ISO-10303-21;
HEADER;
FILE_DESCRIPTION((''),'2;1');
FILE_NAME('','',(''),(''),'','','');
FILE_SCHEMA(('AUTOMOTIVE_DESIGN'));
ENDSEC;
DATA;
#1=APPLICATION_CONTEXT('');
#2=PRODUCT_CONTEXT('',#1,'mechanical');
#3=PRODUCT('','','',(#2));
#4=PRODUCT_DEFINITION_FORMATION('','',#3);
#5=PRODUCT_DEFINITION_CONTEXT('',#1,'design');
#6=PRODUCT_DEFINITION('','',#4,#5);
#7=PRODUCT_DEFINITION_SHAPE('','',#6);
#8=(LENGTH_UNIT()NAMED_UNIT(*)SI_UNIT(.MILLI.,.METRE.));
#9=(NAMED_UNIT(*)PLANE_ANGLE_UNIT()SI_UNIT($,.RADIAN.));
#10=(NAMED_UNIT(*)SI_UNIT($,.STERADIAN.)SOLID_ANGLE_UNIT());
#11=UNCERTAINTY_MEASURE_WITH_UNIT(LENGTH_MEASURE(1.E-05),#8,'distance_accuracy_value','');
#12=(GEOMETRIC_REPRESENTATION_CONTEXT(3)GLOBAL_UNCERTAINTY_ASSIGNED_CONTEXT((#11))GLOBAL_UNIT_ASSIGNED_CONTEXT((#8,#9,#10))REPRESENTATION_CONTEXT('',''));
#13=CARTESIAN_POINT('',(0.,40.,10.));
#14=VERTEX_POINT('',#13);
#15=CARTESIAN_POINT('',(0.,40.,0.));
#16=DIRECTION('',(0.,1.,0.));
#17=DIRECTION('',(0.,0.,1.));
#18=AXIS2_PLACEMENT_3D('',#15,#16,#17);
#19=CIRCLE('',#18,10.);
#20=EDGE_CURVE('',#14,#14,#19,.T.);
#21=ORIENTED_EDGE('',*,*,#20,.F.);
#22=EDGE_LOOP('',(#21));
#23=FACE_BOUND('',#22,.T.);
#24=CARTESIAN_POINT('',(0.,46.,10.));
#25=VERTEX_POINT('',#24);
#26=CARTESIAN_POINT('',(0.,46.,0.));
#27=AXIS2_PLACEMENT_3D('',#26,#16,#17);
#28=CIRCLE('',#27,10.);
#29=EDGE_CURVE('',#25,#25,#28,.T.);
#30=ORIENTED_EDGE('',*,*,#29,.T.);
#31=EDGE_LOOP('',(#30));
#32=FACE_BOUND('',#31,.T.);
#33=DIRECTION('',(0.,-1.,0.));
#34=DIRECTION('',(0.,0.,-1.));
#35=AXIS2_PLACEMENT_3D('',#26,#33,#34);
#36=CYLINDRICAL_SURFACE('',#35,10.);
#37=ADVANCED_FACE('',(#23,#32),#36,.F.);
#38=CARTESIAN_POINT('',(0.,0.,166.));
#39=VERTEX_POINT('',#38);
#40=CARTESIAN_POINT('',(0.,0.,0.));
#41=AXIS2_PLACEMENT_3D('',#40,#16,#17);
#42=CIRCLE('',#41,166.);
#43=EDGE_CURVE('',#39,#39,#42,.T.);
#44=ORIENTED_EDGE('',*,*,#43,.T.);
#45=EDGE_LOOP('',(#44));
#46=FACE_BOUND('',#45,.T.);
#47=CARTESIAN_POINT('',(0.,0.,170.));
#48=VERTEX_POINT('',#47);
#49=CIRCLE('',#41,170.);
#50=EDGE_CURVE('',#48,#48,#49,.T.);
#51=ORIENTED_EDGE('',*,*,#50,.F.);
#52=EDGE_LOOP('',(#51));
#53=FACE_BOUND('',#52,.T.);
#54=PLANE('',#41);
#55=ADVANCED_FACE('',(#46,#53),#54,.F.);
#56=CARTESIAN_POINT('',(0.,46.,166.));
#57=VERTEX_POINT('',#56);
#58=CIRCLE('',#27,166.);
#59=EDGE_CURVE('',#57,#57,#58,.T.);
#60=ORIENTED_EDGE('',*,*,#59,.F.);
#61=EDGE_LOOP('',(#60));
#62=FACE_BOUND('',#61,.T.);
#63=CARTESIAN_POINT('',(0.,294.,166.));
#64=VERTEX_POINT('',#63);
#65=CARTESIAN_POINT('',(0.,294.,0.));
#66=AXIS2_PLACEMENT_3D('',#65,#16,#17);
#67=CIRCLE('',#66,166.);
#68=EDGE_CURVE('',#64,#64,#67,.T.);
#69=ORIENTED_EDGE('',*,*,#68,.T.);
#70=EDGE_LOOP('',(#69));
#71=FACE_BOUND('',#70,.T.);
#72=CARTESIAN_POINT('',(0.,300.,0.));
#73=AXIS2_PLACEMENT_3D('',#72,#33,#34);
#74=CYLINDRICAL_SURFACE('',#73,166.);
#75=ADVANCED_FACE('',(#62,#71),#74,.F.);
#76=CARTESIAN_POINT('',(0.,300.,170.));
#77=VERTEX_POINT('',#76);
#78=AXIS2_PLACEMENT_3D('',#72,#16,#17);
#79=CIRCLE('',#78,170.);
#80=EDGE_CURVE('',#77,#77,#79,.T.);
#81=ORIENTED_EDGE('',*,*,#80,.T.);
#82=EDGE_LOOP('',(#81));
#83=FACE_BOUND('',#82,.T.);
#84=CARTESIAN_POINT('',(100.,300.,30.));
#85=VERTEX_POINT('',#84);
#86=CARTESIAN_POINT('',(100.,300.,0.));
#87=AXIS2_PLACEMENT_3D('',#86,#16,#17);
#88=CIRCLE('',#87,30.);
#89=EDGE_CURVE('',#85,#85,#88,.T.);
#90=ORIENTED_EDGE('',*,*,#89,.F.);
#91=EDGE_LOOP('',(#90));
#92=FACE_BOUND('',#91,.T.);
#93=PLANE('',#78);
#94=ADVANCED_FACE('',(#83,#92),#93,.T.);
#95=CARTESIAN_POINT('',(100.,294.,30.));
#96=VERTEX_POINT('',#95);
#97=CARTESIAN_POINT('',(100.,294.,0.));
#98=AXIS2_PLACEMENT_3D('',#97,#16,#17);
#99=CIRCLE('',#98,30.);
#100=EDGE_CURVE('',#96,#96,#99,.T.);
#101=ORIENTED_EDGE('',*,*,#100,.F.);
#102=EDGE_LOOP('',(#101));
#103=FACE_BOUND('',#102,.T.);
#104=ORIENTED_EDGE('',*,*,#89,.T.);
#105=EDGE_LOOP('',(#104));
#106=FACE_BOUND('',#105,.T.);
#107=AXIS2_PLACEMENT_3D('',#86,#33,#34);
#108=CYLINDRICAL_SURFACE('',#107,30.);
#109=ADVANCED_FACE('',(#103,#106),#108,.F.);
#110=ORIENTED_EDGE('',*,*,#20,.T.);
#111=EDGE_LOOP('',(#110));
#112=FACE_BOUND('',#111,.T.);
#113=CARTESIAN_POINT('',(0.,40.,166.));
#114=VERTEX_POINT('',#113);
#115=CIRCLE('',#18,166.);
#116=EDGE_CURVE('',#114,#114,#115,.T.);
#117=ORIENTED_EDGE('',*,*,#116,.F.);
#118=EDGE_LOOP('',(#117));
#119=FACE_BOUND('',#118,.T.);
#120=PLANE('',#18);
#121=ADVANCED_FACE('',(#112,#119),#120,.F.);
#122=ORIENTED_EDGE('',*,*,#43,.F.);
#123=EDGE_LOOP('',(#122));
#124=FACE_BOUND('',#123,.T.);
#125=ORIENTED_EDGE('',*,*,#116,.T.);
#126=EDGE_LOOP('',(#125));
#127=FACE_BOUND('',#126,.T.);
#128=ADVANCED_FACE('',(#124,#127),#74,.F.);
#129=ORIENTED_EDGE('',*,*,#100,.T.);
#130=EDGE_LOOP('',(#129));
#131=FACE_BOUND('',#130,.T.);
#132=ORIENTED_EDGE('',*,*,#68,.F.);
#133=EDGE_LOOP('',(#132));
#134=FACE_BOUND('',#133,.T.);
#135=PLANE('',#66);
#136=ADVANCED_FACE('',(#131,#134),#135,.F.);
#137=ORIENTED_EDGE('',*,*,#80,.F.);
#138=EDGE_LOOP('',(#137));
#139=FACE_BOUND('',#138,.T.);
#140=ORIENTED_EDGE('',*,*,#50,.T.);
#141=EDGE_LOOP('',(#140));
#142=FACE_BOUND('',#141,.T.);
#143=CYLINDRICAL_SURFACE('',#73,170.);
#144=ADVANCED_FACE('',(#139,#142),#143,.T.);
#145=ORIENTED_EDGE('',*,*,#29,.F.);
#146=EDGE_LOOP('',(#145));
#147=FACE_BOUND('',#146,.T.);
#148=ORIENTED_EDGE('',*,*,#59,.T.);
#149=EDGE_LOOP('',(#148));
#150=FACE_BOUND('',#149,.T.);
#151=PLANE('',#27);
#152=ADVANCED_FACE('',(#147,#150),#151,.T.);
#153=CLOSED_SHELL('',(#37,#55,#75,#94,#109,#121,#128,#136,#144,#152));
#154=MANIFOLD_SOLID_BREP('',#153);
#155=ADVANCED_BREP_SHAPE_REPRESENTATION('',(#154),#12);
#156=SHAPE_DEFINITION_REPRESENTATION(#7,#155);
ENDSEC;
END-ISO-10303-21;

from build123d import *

# Parameters (mm, degrees)
RESERVOIR_WALL_SKETCH_R    = 170
RESERVOIR_WALL_SKETCH_R_2  = 166
RESERVOIR_WALL_SKIRT_DEPTH = 300
RESERVOIR_START            = 40
RESERVOIR_FLOOR_SKETCH_R   = 170
RESERVOIR_FLOOR_SKETCH_R_2 = 10
RESERVOIR_FLOOR_DEPTH      = 6
SEALED_START               = 294
SEALED_LID_SKETCH_R        = 170
SEALED_LID_SKETCH_R_2      = 30
SEALED_LID_DEPTH           = 6


with BuildPart() as part:
    # Reservoir Wall Sketch → Reservoir Wall + Skirt (new body)
    with BuildSketch(Plane(origin=(0, 0, 0), x_dir=(1, 0, 0), z_dir=(0, 1, 0))):
        with Locations(Location((0, 0, 0), (0, 0, 270))):
            Circle(RESERVOIR_WALL_SKETCH_R)
        with Locations(Location((0, 0, 0), (0, 0, 270))):
            Circle(RESERVOIR_WALL_SKETCH_R_2, mode=Mode.SUBTRACT)
    extrude(amount=RESERVOIR_WALL_SKIRT_DEPTH)

    # Reservoir Floor Sketch → Reservoir Floor (add)
    with BuildSketch(Plane(origin=(0, 0, 0), x_dir=(1, 0, 0), z_dir=(0, 1, 0)).offset(RESERVOIR_START)):
        with Locations(Location((0, 0, 0), (0, 0, 270))):
            Circle(RESERVOIR_FLOOR_SKETCH_R)
        with Locations(Location((0, 0, 0), (0, 0, 270))):
            Circle(RESERVOIR_FLOOR_SKETCH_R_2, mode=Mode.SUBTRACT)
    extrude(amount=RESERVOIR_FLOOR_DEPTH)

    # Sealed Lid Sketch → Sealed Lid (add)
    with BuildSketch(Plane(origin=(0, 0, 0), x_dir=(1, 0, 0), z_dir=(0, 1, 0)).offset(SEALED_START)):
        with Locations(Location((0, 0, 0), (0, 0, 270))):
            Circle(SEALED_LID_SKETCH_R)
        with Locations(Location((100, 0, 0), (0, 0, 270))):
            Circle(SEALED_LID_SKETCH_R_2, mode=Mode.SUBTRACT)
    extrude(amount=SEALED_LID_DEPTH)


solid = part.part
